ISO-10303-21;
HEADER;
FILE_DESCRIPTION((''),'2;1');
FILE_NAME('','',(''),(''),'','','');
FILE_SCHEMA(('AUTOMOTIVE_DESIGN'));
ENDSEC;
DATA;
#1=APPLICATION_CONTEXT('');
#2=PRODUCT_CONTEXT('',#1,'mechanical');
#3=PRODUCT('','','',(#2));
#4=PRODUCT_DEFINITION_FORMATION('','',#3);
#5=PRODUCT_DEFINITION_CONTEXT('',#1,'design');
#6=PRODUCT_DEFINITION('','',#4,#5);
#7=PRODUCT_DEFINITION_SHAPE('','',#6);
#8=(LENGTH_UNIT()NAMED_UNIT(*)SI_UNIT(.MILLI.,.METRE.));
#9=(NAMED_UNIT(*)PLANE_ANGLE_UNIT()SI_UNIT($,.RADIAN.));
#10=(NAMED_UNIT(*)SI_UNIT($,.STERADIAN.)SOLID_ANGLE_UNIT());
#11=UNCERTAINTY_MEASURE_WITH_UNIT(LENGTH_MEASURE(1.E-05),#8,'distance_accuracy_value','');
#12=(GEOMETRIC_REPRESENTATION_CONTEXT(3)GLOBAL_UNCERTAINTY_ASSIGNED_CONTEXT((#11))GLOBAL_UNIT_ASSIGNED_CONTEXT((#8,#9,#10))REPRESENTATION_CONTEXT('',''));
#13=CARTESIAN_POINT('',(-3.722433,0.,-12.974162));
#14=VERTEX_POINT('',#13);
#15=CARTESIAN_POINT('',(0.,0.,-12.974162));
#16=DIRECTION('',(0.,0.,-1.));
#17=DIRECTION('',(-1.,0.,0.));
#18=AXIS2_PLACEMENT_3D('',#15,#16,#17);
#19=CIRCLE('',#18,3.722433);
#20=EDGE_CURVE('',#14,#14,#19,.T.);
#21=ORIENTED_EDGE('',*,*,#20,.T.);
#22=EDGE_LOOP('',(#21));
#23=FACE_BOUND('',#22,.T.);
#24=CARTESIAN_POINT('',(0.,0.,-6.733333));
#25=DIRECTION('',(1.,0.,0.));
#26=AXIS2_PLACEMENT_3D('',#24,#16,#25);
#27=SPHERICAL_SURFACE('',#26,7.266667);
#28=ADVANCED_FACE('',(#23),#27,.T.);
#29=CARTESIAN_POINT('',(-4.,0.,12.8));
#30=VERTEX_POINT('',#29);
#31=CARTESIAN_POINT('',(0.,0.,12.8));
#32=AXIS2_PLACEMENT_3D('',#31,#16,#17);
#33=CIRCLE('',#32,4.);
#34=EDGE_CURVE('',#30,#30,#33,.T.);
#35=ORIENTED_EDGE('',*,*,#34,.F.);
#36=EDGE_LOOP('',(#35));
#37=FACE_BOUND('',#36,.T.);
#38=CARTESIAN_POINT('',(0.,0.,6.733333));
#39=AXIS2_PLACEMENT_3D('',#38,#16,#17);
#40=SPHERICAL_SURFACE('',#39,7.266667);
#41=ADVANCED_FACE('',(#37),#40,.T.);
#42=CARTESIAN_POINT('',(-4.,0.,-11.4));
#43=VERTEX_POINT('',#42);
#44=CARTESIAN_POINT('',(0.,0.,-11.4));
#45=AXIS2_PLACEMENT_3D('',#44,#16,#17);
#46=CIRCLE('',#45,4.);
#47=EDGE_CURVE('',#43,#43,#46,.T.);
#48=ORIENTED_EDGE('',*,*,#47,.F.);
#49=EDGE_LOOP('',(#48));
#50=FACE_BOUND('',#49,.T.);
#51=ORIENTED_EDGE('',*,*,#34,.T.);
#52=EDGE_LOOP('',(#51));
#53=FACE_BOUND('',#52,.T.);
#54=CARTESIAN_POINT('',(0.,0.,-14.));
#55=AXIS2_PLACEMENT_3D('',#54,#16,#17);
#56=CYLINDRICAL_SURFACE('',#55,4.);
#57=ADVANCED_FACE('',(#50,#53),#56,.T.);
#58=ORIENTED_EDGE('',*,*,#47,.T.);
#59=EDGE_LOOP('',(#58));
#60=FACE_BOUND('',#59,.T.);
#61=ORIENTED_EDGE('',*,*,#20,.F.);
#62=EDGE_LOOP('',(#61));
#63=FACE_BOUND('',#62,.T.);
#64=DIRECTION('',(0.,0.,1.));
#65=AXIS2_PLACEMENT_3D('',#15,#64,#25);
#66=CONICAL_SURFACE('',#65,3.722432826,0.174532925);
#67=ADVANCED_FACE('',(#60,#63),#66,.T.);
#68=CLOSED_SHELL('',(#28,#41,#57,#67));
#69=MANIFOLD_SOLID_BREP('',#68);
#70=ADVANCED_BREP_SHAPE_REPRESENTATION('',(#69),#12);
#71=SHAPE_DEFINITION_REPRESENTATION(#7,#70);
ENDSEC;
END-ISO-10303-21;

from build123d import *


with BuildPart() as part:
    # Skizze1 → Rotation1 (revolve)
    with BuildSketch(Plane(origin=(0, 0, 0), x_dir=(1, 0, 0), z_dir=(0, 1, 0))):
        with BuildLine():
            Line((0, 14), (0, -14))
            ThreePointArc((0, -14), (-2.088061302, -13.693537673), (-4, -12.8))
            Line((-4, -12.8), (-4, 11.4))
            Line((-4, 11.4), (-3.722432826, 12.974161668))
            ThreePointArc((-3.722432826, 12.974161668), (-1.930599028, 13.738847721), (0, 14))
        make_face()
    revolve(axis=Axis((0, 0, -14), (0, 0, 1)))


solid = part.part
